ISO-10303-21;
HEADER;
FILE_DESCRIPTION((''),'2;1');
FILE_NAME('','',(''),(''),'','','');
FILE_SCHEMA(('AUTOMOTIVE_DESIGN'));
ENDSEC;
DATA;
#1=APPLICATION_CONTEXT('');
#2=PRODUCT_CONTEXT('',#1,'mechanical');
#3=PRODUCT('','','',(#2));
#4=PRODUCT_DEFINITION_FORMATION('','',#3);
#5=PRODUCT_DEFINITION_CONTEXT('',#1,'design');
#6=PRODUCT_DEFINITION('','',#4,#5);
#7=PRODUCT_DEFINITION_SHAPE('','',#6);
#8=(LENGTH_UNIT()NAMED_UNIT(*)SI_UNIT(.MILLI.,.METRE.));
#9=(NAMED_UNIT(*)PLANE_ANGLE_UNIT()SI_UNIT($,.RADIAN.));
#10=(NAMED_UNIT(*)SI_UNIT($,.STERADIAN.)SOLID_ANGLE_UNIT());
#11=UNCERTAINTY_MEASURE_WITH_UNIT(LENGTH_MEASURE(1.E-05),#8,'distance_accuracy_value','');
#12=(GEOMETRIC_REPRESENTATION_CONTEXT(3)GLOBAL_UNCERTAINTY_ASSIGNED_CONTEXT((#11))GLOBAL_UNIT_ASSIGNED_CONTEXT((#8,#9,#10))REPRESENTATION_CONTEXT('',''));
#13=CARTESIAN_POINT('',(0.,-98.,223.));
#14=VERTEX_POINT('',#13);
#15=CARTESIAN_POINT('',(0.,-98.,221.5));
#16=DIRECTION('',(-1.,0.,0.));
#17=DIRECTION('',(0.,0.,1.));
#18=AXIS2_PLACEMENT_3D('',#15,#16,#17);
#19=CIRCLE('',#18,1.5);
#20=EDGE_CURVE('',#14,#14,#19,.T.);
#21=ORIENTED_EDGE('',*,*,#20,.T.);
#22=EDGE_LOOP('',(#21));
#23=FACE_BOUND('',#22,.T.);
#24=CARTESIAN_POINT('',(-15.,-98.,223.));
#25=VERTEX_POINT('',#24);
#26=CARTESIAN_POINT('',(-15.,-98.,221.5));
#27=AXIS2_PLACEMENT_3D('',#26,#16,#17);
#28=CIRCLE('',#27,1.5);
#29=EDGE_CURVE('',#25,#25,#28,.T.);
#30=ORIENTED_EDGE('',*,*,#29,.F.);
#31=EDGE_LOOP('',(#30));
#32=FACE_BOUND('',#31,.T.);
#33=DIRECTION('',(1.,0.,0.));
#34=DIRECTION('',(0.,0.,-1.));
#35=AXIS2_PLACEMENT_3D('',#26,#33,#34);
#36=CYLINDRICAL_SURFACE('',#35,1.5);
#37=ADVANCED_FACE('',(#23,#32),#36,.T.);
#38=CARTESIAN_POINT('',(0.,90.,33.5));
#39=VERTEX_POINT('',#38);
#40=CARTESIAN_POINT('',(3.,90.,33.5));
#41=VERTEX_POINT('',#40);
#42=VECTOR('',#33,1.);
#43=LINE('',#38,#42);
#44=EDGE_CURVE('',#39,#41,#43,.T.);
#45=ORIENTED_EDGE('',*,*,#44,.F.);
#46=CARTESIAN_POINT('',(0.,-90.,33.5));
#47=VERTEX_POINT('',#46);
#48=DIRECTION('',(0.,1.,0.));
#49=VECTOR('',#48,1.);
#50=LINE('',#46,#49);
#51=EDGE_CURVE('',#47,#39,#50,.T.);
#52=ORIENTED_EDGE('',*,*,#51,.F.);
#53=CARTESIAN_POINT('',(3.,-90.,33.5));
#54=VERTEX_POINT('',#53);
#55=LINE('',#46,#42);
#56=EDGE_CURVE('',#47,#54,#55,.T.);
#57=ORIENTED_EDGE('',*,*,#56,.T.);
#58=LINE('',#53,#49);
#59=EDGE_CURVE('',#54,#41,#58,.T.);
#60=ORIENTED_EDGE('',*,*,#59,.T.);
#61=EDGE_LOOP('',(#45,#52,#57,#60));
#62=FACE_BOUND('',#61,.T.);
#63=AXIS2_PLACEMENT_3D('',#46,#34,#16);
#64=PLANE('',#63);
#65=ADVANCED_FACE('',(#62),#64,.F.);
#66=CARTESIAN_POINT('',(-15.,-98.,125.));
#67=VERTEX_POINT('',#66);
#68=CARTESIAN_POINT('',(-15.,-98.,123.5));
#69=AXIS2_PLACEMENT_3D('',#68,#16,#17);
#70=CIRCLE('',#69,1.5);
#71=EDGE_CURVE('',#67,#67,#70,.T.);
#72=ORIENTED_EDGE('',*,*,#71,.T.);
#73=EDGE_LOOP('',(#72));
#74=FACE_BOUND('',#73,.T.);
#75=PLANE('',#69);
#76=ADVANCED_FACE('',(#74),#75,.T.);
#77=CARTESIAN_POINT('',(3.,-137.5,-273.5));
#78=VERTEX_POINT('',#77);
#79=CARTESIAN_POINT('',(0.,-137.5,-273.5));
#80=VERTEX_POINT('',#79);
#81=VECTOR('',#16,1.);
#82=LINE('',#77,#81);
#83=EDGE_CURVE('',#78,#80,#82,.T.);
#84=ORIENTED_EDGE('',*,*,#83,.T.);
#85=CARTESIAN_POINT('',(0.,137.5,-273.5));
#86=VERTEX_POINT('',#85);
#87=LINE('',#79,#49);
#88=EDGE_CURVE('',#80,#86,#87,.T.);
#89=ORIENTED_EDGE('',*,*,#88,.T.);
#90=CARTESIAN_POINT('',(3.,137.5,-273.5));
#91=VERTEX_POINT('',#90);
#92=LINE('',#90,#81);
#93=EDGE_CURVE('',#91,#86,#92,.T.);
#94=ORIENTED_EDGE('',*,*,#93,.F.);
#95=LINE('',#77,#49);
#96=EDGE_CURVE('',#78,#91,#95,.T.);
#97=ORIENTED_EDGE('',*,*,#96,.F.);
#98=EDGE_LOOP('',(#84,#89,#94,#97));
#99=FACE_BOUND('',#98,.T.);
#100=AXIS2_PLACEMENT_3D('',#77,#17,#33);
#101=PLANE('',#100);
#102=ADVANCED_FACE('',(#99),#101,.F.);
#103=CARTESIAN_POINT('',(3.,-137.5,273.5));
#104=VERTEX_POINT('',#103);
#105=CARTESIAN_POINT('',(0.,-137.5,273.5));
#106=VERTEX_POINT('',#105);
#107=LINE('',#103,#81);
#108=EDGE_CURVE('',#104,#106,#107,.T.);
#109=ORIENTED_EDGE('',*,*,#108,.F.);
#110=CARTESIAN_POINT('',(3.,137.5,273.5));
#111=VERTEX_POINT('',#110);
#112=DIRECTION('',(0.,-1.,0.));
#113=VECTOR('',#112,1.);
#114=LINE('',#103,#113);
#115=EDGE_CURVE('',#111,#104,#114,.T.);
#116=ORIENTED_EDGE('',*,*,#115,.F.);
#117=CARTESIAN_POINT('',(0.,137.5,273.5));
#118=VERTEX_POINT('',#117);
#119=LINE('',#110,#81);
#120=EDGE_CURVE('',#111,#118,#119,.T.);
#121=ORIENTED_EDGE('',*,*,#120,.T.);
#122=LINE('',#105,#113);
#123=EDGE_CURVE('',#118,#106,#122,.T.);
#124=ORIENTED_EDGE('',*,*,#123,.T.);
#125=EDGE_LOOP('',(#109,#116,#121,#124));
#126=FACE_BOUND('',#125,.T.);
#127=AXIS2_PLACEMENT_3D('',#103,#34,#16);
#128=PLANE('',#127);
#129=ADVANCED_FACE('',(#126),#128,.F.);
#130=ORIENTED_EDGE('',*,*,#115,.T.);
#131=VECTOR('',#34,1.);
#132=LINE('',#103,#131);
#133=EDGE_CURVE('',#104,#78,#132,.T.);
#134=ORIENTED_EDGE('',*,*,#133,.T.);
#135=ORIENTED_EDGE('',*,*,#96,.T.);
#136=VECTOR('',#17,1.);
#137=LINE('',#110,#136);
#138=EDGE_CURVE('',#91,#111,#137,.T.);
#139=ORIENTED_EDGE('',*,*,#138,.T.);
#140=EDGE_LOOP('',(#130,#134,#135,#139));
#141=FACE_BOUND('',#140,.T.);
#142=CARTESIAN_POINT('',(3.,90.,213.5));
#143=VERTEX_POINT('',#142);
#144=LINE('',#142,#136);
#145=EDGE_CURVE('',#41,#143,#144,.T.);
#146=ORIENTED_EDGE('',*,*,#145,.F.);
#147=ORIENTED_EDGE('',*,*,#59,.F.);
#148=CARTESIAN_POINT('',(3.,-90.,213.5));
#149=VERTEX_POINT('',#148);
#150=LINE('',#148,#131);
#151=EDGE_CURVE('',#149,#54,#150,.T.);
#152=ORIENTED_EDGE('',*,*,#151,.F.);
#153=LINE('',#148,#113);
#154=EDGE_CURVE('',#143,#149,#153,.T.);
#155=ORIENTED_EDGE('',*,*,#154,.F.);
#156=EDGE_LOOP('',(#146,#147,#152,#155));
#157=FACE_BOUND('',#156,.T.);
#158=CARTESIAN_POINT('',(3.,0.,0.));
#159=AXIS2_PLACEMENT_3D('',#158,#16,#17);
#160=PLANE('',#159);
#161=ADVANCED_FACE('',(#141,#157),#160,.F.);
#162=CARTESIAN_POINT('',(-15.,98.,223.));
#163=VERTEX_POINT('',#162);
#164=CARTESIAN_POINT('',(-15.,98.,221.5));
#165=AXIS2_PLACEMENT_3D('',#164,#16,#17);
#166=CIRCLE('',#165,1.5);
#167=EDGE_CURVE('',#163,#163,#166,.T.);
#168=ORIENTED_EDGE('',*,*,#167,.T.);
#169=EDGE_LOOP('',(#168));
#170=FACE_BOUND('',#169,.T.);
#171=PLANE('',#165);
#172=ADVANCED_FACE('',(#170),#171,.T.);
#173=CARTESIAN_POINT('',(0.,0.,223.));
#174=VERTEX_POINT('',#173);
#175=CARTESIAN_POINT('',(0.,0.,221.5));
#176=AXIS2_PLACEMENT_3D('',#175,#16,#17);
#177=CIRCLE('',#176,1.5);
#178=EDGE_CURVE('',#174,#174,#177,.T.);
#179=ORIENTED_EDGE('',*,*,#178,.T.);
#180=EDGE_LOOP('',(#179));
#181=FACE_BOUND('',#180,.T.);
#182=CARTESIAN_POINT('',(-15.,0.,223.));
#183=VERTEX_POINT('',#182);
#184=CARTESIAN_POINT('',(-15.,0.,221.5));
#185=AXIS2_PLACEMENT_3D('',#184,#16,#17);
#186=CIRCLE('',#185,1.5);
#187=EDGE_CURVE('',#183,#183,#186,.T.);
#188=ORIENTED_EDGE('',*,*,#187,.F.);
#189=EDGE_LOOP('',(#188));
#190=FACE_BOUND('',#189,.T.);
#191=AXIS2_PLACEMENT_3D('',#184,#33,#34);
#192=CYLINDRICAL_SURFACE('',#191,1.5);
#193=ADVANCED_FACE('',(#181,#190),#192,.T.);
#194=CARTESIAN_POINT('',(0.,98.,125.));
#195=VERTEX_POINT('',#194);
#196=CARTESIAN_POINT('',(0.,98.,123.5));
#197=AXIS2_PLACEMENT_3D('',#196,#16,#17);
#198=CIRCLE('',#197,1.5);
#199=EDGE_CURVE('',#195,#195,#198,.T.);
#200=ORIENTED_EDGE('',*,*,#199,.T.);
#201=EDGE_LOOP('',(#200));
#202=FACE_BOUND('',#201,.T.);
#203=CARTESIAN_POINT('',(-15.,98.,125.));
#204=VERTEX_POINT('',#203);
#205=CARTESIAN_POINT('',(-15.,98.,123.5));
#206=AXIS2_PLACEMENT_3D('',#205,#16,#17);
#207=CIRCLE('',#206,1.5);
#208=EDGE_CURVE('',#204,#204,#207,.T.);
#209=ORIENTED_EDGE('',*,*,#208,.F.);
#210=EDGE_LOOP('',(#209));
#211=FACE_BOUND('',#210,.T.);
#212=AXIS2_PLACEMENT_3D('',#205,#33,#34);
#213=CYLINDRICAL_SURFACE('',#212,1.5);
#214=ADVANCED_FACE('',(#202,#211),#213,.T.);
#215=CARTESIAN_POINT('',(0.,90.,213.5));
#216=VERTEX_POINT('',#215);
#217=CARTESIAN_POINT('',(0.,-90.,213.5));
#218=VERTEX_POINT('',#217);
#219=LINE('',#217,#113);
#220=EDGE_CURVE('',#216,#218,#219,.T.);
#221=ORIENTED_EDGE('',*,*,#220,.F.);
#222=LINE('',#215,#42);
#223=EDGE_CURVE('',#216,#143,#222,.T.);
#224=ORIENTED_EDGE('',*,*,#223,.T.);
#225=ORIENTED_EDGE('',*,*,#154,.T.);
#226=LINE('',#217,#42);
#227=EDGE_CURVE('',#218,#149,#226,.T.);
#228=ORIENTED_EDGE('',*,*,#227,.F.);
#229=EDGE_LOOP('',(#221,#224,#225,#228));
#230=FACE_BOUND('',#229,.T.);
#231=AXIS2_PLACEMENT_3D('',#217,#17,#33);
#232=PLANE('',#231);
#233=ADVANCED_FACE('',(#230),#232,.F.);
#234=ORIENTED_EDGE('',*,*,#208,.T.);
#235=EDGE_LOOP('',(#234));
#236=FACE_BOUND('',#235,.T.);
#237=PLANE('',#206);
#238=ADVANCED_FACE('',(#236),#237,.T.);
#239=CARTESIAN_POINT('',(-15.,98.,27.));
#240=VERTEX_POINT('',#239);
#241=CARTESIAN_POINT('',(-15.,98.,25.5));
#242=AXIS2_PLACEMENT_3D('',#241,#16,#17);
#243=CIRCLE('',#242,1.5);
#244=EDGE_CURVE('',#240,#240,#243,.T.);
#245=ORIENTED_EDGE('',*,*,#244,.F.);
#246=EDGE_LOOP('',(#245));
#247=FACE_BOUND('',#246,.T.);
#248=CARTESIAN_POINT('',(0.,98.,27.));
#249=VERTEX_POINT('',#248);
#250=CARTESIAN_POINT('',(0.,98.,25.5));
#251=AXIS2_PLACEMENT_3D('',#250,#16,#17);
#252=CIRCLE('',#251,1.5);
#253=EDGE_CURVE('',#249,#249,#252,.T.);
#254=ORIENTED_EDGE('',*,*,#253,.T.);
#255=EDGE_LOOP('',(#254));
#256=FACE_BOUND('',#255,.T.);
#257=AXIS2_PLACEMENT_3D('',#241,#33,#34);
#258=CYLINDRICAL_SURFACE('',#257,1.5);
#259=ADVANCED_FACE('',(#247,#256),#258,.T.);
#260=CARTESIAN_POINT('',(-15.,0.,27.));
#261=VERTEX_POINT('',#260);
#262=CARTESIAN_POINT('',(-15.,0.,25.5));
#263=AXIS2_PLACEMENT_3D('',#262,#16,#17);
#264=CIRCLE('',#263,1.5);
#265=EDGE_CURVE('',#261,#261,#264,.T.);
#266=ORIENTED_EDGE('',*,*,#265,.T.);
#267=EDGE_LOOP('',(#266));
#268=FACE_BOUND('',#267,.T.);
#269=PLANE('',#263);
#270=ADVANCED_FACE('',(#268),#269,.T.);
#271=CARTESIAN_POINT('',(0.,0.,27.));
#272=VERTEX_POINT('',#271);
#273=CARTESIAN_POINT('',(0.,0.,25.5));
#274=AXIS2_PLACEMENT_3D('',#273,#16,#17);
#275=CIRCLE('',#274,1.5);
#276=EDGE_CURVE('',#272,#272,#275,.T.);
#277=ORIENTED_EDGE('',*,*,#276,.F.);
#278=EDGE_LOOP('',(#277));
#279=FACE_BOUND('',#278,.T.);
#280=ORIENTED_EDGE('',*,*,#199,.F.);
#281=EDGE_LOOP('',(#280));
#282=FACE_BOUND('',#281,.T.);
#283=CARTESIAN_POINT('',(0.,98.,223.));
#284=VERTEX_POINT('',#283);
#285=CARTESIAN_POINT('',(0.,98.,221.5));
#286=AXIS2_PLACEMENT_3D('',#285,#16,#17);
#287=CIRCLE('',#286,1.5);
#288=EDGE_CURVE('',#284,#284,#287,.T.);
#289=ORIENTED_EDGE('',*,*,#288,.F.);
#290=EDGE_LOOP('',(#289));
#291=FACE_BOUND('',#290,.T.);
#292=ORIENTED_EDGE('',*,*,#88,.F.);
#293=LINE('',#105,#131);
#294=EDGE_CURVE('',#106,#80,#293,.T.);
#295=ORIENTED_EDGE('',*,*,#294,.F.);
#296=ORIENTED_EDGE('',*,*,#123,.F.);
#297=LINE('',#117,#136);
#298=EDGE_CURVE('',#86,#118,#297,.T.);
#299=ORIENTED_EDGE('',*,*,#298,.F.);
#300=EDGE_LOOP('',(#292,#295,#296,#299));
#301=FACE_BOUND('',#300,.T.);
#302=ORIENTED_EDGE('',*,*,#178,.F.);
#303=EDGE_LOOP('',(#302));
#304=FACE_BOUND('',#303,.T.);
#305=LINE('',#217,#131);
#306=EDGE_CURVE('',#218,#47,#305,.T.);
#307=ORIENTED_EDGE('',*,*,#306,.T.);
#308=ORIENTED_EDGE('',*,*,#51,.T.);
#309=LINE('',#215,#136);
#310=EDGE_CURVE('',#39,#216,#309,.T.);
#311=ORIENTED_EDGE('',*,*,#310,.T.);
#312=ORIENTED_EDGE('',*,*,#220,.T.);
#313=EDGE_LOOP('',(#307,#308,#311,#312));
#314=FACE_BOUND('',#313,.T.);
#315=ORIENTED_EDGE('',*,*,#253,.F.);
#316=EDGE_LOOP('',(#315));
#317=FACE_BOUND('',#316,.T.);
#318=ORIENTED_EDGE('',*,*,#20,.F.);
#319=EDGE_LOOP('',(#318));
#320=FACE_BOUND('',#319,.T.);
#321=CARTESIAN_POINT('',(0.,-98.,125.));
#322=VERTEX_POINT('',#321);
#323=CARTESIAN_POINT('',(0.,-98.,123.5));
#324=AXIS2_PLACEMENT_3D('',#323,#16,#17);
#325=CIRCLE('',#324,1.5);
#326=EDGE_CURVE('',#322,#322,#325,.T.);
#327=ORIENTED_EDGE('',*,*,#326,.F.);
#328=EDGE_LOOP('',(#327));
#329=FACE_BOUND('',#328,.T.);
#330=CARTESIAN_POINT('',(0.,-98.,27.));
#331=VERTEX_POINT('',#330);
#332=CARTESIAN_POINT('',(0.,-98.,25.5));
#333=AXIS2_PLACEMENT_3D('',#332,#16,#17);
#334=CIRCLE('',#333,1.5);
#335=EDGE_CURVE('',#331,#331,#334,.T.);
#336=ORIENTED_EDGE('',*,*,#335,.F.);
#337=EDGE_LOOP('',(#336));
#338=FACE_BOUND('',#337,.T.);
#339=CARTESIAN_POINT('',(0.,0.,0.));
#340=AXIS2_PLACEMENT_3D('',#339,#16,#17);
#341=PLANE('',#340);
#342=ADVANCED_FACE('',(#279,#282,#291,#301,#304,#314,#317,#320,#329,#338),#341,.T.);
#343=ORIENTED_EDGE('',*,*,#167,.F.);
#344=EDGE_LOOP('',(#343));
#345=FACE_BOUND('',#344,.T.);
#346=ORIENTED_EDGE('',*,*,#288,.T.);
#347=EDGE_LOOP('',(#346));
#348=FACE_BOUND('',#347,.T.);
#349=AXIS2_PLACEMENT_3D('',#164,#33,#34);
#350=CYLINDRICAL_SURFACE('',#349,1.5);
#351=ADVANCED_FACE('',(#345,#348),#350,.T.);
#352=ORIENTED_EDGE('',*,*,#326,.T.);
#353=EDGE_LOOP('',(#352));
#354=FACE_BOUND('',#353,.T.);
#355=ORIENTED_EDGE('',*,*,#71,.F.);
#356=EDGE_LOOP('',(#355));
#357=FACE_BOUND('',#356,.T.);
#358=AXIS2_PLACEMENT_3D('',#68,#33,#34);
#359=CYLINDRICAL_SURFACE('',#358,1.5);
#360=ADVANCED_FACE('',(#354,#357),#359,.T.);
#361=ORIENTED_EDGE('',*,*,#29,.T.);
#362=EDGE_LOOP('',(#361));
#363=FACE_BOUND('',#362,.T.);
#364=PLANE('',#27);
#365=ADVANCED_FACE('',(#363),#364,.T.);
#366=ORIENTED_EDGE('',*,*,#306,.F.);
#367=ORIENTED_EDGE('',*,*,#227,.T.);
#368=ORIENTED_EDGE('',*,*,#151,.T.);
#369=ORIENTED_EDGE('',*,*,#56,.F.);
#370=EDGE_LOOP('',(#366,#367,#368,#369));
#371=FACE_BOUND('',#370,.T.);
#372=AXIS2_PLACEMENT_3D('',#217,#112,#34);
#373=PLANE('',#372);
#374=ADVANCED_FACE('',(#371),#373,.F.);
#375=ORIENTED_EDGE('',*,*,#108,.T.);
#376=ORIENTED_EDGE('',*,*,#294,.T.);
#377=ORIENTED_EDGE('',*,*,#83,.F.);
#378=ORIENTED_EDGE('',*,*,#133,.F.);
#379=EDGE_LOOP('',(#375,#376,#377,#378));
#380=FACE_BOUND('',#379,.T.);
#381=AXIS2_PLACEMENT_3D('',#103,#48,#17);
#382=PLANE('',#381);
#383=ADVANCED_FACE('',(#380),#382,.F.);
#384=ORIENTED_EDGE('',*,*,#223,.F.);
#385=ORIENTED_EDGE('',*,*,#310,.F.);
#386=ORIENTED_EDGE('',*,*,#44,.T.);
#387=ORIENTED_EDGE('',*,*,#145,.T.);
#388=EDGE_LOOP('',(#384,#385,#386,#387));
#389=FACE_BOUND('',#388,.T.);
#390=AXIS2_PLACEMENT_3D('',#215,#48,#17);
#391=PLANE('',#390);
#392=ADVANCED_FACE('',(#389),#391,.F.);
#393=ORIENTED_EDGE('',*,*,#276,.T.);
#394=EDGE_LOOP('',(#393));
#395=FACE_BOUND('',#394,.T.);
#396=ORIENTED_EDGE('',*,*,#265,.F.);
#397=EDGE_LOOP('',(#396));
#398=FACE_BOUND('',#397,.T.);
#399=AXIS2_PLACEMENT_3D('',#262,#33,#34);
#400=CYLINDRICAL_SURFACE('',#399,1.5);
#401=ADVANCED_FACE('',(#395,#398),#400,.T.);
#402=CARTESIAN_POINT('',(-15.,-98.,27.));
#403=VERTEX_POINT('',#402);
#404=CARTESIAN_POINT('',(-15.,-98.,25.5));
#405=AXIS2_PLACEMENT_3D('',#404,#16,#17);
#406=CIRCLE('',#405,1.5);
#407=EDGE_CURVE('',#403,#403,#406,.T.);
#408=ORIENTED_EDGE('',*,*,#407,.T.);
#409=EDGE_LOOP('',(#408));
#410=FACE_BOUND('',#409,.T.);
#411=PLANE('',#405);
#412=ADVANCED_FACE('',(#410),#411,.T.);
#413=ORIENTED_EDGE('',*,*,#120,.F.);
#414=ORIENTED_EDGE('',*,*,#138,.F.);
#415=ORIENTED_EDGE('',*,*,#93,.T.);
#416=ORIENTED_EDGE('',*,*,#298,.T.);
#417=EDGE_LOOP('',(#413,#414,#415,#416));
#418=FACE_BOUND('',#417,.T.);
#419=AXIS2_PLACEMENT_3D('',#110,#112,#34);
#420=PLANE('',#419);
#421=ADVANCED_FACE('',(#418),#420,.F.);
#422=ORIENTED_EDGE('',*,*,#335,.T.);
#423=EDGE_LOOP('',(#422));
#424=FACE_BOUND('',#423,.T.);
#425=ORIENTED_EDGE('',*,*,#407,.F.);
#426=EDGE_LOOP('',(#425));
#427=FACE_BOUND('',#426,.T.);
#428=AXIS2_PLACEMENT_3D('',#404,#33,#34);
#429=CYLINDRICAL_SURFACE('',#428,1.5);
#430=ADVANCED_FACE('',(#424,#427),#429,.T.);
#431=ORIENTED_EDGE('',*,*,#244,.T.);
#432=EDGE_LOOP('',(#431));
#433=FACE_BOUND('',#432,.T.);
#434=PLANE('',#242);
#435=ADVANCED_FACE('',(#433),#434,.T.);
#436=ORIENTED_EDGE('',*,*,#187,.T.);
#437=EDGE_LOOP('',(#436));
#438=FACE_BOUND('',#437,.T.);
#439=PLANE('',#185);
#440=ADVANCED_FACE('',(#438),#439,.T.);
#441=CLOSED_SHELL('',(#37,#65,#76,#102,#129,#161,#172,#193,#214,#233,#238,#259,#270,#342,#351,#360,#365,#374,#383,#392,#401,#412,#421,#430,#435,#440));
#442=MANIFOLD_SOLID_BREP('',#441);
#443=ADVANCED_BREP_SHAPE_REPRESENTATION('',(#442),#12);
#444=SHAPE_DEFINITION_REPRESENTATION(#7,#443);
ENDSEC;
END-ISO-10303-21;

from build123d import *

# Parameters (mm, degrees)
SKETCH1_W           = 547
SKETCH1_H           = 275
BOSS_EXTRUDE1_DEPTH = 3
SKETCH2_W           = 180
SKETCH2_H           = 180
CUT_EXTRUDE1_DEPTH  = 3
SKETCH3_R           = 1.5
BOSS_EXTRUDE2_DEPTH = 15


with BuildPart() as part:
    # Sketch1 → Boss-Extrude1 (new body)
    with BuildSketch(Plane(origin=(0, 0, 0), x_dir=(0, 0, -1), z_dir=(1, 0, 0))):
        Rectangle(SKETCH1_W, SKETCH1_H)
    extrude(amount=BOSS_EXTRUDE1_DEPTH)

    # Sketch2 → Cut-Extrude1 (cut)
    with BuildSketch(Plane(origin=(3, 0, 0), x_dir=(0, 0, -1), z_dir=(1, 0, 0))):
        with Locations((-123.5, 0)):
            Rectangle(SKETCH2_W, SKETCH2_H)
    extrude(amount=-CUT_EXTRUDE1_DEPTH, mode=Mode.SUBTRACT)

    # Sketch3 → Boss-Extrude2 (add)
    with BuildSketch(Plane.ZY):
        with Locations((25.5, 98)):
            Circle(SKETCH3_R)
        with Locations((221.5, -98)):
            Circle(SKETCH3_R)
        with Locations((123.5, 98)):
            Circle(SKETCH3_R)
        with Locations((221.5, 98)):
            Circle(SKETCH3_R)
        with Locations((123.5, -98)):
            Circle(SKETCH3_R)
        with Locations((25.5, -98)):
            Circle(SKETCH3_R)
        with Locations((25.5, 0)):
            Circle(SKETCH3_R)
        with Locations((221.5, 0)):
            Circle(SKETCH3_R)
    extrude(amount=BOSS_EXTRUDE2_DEPTH)


solid = part.part
